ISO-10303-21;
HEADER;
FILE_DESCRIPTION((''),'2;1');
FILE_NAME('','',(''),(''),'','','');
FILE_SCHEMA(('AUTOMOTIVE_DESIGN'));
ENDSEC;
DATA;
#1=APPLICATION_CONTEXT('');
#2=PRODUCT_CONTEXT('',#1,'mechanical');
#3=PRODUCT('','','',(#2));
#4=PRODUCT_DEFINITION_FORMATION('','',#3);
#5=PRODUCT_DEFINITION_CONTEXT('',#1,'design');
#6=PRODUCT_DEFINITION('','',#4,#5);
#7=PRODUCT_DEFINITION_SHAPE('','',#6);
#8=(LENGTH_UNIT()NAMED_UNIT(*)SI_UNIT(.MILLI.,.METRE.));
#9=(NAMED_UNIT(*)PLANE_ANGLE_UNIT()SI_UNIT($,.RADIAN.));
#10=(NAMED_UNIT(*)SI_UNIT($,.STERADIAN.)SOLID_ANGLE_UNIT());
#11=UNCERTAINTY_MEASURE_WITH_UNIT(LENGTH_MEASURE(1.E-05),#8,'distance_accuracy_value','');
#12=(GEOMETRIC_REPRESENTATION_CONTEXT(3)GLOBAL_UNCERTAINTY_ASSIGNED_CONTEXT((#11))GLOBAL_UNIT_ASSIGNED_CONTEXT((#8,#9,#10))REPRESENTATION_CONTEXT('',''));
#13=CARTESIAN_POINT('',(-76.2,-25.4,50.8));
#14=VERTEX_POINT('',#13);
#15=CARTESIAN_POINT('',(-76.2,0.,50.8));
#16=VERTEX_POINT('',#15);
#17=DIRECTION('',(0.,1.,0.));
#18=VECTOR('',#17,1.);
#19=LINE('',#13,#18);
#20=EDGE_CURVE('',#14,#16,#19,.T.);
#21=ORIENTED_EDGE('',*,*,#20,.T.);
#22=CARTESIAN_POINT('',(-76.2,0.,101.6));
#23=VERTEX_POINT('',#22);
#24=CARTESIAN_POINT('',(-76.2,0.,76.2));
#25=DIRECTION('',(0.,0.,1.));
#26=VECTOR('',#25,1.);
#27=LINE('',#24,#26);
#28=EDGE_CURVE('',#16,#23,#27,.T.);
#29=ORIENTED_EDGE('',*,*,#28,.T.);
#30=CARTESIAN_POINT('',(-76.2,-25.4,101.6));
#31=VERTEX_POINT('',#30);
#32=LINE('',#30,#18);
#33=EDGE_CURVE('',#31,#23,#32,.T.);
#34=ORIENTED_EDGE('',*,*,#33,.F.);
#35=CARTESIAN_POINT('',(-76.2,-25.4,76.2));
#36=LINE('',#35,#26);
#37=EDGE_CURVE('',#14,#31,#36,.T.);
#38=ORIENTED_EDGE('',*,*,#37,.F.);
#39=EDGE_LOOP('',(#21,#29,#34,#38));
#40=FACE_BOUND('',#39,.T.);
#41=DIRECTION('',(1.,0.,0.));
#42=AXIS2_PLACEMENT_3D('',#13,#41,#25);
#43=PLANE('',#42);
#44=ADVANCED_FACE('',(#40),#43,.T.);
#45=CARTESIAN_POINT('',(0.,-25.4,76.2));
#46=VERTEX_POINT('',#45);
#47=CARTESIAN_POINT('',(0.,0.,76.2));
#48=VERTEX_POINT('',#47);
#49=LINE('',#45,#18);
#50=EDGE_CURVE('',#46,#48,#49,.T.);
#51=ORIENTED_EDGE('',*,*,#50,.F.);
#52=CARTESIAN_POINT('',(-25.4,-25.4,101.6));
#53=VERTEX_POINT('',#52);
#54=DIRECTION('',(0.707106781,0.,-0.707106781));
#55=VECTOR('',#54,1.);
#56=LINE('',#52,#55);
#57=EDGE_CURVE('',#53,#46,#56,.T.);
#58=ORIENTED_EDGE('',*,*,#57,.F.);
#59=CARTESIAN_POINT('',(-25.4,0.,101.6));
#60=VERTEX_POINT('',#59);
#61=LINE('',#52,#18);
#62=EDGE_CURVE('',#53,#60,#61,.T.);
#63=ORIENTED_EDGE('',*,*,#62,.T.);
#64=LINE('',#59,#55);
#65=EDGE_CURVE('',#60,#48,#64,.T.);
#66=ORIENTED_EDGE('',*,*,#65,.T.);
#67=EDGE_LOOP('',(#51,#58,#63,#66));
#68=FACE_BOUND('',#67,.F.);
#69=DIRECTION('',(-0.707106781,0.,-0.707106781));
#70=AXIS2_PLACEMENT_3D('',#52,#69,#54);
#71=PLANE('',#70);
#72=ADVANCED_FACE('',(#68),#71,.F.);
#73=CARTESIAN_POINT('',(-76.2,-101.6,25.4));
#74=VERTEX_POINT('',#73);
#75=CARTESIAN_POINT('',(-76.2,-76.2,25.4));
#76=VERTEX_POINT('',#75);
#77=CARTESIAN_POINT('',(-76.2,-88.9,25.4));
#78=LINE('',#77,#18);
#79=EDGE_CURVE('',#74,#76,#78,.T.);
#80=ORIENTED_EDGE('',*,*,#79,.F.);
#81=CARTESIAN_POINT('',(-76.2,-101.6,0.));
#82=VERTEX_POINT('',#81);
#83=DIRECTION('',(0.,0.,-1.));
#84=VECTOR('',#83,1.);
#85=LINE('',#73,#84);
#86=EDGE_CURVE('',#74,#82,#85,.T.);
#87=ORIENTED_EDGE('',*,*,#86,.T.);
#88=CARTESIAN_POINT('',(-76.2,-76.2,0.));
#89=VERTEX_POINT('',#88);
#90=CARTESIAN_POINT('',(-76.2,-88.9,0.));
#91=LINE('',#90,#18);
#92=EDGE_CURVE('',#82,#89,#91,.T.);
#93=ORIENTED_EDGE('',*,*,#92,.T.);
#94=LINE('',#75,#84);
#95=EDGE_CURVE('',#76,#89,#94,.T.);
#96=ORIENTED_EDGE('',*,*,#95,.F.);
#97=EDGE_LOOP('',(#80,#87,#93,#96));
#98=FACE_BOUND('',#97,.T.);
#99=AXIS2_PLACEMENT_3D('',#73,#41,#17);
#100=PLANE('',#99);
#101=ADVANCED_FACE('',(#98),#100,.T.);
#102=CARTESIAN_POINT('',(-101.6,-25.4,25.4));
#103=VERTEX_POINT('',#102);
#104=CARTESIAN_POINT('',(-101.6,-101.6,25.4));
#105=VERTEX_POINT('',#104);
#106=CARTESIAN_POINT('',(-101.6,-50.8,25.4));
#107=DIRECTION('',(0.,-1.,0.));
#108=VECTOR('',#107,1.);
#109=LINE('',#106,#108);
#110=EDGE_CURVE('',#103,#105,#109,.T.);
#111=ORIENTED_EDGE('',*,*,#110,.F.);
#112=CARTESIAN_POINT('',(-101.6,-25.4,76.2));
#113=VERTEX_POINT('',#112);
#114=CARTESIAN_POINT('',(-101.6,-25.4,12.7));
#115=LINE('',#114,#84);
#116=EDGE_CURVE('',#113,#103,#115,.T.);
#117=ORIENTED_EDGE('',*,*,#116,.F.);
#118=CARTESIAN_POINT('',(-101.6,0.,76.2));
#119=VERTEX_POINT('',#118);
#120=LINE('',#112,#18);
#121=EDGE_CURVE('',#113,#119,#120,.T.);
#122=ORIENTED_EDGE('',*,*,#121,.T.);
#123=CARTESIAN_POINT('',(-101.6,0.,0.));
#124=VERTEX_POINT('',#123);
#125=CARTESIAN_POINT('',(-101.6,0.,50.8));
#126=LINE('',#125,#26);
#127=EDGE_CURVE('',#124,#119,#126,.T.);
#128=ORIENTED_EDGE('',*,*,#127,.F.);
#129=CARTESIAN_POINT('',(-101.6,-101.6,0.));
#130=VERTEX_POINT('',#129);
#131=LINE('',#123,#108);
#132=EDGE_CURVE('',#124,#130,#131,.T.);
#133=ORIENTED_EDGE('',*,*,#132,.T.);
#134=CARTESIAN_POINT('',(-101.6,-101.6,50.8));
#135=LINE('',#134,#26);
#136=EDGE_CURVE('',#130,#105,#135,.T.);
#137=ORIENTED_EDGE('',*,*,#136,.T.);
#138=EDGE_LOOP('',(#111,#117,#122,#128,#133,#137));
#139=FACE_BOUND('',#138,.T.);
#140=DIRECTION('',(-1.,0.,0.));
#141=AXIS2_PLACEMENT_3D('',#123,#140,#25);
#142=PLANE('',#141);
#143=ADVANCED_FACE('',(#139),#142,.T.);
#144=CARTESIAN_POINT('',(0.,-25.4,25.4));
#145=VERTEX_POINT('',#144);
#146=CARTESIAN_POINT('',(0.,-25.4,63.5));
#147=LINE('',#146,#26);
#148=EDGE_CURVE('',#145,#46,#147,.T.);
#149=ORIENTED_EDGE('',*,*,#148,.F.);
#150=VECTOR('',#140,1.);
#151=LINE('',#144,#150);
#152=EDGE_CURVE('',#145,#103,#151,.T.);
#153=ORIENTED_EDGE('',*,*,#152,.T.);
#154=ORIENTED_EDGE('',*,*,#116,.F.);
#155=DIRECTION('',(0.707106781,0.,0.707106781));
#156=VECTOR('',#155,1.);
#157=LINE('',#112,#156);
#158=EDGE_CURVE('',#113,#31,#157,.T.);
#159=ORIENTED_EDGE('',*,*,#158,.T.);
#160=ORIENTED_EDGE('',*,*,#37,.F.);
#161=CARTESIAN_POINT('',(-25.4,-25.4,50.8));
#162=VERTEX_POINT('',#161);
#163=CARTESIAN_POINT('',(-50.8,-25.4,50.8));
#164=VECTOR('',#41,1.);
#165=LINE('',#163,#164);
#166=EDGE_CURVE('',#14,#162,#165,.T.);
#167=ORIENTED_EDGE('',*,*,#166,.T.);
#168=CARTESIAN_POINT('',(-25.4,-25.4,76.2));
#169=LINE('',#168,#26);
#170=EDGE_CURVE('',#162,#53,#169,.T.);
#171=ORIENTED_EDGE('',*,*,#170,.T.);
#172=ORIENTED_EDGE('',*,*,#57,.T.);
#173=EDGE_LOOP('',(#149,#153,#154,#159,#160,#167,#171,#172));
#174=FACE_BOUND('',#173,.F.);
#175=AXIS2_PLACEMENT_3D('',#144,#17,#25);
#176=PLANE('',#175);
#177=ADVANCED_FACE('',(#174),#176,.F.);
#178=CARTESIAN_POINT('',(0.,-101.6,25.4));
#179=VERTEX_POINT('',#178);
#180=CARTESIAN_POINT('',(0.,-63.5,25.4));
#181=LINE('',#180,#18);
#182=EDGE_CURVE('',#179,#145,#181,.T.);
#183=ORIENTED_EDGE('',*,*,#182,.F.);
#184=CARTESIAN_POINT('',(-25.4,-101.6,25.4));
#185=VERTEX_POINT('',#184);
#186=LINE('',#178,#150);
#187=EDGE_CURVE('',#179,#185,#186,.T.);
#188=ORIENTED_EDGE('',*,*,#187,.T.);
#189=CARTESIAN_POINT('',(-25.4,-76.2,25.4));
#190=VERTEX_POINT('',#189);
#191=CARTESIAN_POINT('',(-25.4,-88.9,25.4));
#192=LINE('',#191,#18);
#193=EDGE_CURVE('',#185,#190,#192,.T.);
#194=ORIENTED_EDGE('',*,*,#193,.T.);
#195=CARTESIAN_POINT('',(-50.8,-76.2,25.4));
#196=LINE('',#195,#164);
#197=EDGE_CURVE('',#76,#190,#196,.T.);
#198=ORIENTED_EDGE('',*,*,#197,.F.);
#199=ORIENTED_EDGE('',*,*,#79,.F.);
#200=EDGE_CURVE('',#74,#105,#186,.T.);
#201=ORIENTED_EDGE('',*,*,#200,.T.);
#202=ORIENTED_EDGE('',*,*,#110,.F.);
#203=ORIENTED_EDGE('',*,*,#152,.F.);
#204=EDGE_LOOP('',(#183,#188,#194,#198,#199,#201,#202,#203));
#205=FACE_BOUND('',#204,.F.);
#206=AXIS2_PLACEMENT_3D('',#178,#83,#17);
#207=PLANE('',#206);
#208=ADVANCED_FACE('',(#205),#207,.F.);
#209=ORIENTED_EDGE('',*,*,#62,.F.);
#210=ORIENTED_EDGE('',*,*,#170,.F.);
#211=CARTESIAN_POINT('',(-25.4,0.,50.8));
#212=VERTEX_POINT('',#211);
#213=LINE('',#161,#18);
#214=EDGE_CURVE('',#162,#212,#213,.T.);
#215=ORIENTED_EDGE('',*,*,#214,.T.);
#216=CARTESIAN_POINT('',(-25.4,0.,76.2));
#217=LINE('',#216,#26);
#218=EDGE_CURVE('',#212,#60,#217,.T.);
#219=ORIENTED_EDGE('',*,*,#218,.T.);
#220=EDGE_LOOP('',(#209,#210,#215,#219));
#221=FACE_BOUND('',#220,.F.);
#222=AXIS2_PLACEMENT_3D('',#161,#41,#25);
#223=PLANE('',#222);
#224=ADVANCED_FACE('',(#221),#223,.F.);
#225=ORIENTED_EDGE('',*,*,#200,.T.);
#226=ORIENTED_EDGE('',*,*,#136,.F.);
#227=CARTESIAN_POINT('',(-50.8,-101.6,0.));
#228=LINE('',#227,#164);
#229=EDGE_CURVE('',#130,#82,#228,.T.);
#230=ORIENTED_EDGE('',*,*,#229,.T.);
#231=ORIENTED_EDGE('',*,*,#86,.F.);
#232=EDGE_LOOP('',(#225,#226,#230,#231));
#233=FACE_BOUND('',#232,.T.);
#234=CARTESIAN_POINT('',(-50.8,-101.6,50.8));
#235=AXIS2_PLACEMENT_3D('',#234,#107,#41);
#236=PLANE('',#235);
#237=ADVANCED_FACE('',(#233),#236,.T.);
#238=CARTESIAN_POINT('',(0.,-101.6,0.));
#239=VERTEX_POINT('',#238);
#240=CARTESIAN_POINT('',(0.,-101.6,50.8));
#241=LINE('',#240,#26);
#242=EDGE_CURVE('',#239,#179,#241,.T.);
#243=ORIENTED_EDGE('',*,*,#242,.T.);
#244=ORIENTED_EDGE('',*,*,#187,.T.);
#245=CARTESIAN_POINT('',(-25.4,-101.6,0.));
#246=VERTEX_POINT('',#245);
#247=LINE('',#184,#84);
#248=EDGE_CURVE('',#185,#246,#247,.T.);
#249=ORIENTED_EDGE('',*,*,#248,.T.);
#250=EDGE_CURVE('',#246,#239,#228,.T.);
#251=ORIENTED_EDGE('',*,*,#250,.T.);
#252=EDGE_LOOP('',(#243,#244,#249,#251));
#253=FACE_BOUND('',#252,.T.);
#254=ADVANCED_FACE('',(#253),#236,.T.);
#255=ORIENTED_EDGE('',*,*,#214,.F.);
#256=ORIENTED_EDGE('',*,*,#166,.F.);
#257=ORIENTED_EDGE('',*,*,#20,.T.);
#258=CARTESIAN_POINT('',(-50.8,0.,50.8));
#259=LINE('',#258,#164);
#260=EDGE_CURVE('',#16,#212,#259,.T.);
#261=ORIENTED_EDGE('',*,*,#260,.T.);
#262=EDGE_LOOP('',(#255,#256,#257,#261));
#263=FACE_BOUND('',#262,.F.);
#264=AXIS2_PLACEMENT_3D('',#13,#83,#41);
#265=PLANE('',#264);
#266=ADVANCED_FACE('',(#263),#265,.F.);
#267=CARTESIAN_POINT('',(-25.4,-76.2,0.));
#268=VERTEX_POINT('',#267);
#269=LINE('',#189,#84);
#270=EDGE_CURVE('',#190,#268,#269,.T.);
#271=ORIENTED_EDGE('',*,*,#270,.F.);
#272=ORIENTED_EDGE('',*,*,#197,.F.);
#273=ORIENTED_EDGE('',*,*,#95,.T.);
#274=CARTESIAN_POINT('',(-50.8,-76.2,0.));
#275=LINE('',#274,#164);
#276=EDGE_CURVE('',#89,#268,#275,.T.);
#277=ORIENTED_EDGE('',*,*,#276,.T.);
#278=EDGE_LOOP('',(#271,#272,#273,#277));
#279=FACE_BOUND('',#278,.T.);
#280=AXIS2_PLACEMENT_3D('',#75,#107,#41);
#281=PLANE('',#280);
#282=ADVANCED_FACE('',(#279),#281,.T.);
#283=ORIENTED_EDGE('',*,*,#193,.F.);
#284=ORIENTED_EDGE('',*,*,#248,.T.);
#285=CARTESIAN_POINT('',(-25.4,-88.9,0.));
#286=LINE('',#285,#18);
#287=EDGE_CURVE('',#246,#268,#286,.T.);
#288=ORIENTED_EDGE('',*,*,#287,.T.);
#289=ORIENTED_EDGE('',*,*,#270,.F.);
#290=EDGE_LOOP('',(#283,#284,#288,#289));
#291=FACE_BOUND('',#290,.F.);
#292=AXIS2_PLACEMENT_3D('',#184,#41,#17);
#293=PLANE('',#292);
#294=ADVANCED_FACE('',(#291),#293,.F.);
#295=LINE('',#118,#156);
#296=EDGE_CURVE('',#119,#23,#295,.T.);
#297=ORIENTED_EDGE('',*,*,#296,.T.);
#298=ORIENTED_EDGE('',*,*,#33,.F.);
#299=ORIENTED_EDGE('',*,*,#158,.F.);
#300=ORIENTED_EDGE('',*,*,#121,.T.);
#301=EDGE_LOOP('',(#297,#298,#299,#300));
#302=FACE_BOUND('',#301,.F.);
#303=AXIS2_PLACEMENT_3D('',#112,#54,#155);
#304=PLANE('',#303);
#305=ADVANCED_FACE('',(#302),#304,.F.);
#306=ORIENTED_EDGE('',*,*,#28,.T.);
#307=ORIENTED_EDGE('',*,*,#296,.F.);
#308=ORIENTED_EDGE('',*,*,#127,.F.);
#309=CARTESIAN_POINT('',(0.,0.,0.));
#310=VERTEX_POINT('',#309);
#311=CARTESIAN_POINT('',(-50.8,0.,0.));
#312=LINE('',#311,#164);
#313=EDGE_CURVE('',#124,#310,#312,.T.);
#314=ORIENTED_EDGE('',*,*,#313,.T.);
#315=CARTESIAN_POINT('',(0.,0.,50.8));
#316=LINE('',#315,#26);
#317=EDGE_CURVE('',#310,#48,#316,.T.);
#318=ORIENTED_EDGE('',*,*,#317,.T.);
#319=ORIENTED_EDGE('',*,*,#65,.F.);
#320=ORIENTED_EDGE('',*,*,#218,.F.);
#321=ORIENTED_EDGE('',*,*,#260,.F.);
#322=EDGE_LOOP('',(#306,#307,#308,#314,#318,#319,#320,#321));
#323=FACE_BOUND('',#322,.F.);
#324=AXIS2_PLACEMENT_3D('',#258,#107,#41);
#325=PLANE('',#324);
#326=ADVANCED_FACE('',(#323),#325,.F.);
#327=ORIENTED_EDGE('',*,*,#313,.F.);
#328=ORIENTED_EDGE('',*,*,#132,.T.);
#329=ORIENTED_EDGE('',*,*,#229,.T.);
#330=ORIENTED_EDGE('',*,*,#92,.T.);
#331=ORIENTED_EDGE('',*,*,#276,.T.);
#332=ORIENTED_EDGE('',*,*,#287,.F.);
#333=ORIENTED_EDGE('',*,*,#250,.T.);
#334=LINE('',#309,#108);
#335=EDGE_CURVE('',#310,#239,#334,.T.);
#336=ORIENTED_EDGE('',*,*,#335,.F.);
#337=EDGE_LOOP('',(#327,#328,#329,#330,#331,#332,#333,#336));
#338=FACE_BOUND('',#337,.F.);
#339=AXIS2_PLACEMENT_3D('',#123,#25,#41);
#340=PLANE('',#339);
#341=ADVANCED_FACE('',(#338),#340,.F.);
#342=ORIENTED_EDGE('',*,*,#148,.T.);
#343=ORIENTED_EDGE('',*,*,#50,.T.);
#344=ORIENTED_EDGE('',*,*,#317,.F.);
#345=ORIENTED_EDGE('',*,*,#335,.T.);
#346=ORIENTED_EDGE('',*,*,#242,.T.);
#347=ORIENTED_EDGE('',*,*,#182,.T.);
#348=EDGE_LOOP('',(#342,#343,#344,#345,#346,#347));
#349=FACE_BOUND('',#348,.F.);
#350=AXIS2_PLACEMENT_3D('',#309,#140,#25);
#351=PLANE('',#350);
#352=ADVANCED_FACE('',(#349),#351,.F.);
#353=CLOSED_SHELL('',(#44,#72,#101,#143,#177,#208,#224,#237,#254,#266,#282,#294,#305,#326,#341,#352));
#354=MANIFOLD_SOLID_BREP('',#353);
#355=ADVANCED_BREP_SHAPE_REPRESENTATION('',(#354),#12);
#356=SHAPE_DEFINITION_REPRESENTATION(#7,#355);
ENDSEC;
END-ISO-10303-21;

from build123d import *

# Parameters (mm, degrees)
F0_W      = 101.6
F0_H      = 101.6
F1_DEPTH  = 101.6
F2_W      = 76.2
F2_H      = 76.2
F3_DEPTH  = 123.952
F4_W      = 50.8
F4_H      = 50.8
F5_DEPTH  = 25.4
F6_W      = 50.8
F6_H      = 25.4
F7_DEPTH  = 25.4
F9_DEPTH  = 25.4
F11_DEPTH = 25.4


with BuildPart() as f1:
    # F0 (on Front) → F1 (new body)
    with BuildSketch(Plane.XZ):
        with Locations((-50.8, 50.8)):
            Rectangle(F0_W, F0_H)
    extrude(amount=F1_DEPTH)

    # F2 (on face) → F3 (cut)
    with BuildSketch(Plane.YZ):
        with Locations((-63.5, 63.5)):
            Rectangle(F2_W, F2_H)
    extrude(amount=-F3_DEPTH, mode=Mode.SUBTRACT)

    # F4 (on face) → F5 (cut)
    with BuildSketch(Plane.XZ.offset(25.4)):
        with Locations((-50.8, 76.2)):
            Rectangle(F4_W, F4_H)
    extrude(amount=-F5_DEPTH, mode=Mode.SUBTRACT)

    # F6 (on face) → F7 (cut)
    with BuildSketch(Plane.XY.offset(25.4)):
        with Locations((-50.8, -88.9)):
            Rectangle(F6_W, F6_H)
    extrude(amount=-F7_DEPTH, mode=Mode.SUBTRACT)

    # F8 (on face) → F9 (cut)
    with BuildSketch(Plane.XZ.offset(25.4)):
        Polygon((-76.2, 101.6), (-101.6, 101.6), (-101.6, 76.2), align=None)
    extrude(amount=-F9_DEPTH, mode=Mode.SUBTRACT)

    # F10 (on face) → F11 (cut)
    with BuildSketch(Plane.XZ.offset(25.4)):
        Polygon((0, 101.6), (-25.4, 101.6), (0, 76.2), align=None)
    extrude(amount=-F11_DEPTH, mode=Mode.SUBTRACT)


solid = f1.part
